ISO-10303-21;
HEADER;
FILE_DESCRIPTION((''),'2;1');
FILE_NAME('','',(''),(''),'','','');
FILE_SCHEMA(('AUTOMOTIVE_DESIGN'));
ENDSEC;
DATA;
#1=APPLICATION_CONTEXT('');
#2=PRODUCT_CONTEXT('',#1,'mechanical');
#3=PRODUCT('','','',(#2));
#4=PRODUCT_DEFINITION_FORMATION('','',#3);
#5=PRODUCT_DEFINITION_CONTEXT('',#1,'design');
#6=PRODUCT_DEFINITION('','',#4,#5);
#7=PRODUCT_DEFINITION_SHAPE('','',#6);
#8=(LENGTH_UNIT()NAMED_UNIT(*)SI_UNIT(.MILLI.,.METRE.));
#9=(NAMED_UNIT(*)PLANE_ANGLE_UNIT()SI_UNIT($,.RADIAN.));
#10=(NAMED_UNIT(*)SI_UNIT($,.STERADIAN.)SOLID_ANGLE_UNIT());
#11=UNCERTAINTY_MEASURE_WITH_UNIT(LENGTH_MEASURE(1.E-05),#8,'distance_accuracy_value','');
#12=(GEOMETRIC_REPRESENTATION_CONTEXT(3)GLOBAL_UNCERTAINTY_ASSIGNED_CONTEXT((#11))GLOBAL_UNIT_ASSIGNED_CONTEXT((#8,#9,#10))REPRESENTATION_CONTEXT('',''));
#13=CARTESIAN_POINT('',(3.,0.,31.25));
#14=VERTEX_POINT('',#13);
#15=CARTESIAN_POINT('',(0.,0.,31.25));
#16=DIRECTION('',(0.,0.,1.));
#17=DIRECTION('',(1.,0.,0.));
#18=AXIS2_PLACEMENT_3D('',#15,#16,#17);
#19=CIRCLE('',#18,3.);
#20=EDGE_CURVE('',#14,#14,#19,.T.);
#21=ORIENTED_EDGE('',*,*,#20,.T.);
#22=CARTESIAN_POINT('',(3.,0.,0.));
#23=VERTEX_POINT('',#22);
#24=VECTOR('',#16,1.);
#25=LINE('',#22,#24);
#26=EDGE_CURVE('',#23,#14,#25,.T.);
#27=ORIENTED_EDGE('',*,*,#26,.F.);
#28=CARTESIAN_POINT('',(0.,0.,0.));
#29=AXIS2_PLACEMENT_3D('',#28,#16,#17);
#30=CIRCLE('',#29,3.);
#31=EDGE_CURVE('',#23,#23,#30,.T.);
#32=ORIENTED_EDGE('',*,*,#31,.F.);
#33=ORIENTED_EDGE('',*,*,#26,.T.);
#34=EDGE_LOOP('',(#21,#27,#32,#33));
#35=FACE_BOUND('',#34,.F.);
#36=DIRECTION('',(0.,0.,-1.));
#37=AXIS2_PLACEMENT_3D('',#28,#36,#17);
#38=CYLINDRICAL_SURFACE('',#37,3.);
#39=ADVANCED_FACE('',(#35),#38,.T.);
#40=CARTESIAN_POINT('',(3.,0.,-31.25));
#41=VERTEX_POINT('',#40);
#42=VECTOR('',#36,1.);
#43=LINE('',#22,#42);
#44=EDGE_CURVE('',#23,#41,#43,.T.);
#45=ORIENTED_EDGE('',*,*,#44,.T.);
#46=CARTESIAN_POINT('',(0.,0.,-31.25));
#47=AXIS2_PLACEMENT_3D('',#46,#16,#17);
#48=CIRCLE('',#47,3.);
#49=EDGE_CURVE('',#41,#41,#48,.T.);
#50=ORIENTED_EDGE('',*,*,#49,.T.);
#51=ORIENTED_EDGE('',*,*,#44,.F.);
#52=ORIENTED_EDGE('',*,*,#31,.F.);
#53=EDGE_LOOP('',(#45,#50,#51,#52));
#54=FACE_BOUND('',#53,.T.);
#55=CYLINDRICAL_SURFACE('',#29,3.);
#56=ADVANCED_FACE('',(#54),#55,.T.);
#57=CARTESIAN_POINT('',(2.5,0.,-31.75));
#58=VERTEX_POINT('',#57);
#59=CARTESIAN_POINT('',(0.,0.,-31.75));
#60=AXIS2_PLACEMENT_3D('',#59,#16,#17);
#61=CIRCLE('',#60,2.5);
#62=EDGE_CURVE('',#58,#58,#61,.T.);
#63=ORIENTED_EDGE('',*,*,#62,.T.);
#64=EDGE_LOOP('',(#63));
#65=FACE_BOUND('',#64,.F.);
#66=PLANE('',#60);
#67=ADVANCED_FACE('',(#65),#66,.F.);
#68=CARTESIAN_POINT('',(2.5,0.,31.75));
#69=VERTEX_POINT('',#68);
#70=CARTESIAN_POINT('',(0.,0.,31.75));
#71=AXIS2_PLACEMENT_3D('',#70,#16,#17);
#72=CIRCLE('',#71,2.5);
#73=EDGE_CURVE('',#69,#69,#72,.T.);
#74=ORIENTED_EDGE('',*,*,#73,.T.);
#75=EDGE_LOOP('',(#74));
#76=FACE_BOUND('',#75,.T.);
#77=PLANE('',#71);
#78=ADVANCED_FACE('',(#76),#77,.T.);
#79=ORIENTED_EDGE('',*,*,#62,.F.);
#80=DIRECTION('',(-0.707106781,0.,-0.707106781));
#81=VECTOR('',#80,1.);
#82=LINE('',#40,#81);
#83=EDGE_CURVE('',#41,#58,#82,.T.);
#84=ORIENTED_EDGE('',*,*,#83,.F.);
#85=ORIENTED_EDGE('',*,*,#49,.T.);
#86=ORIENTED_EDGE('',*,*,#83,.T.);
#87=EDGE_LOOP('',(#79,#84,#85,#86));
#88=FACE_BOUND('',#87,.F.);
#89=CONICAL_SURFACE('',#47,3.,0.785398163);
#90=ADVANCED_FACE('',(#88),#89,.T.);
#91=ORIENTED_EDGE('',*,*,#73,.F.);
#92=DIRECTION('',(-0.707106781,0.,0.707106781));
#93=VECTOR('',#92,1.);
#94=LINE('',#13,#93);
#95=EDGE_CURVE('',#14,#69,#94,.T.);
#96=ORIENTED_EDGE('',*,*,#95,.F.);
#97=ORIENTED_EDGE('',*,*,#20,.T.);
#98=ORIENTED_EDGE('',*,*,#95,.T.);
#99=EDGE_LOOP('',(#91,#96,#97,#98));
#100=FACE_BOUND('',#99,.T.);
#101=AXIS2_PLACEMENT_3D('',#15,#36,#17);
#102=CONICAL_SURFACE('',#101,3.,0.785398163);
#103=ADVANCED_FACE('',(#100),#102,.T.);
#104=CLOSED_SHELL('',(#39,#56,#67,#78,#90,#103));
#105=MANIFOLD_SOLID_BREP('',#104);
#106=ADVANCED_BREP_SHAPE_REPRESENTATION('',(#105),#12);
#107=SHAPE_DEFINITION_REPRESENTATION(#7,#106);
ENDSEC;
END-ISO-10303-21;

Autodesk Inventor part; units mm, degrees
ref_plane "YZ Plane" through (0, 0, 0) normal (1, 0, 0) x (0, 1, 0)
ref_plane "XZ Plane" through (0, 0, 0) normal (0, 1, 0) x (-1, 0, 0)
ref_plane "XY Plane" through (0, 0, 0) normal (0, 0, 1) x (1, 0, 0)
sketch "Sketch1" plane through (0, 0, 0) normal (0, 0, 1) x (1, 0, 0)
  circle A0 centre (0, 0) radius 3
  dimension "d0" = 6
extrude "Extrusion1" add sketch "Sketch1" along normal mid plane 63.5
chamfer "Chamfer1" distance 0.5 angle 45 2 edges at (-3, 0, 31.75) (-3, 0, -31.75)
properties part number "NASA-20-HUB-SHFT-01" material "Steel, Alloy"
